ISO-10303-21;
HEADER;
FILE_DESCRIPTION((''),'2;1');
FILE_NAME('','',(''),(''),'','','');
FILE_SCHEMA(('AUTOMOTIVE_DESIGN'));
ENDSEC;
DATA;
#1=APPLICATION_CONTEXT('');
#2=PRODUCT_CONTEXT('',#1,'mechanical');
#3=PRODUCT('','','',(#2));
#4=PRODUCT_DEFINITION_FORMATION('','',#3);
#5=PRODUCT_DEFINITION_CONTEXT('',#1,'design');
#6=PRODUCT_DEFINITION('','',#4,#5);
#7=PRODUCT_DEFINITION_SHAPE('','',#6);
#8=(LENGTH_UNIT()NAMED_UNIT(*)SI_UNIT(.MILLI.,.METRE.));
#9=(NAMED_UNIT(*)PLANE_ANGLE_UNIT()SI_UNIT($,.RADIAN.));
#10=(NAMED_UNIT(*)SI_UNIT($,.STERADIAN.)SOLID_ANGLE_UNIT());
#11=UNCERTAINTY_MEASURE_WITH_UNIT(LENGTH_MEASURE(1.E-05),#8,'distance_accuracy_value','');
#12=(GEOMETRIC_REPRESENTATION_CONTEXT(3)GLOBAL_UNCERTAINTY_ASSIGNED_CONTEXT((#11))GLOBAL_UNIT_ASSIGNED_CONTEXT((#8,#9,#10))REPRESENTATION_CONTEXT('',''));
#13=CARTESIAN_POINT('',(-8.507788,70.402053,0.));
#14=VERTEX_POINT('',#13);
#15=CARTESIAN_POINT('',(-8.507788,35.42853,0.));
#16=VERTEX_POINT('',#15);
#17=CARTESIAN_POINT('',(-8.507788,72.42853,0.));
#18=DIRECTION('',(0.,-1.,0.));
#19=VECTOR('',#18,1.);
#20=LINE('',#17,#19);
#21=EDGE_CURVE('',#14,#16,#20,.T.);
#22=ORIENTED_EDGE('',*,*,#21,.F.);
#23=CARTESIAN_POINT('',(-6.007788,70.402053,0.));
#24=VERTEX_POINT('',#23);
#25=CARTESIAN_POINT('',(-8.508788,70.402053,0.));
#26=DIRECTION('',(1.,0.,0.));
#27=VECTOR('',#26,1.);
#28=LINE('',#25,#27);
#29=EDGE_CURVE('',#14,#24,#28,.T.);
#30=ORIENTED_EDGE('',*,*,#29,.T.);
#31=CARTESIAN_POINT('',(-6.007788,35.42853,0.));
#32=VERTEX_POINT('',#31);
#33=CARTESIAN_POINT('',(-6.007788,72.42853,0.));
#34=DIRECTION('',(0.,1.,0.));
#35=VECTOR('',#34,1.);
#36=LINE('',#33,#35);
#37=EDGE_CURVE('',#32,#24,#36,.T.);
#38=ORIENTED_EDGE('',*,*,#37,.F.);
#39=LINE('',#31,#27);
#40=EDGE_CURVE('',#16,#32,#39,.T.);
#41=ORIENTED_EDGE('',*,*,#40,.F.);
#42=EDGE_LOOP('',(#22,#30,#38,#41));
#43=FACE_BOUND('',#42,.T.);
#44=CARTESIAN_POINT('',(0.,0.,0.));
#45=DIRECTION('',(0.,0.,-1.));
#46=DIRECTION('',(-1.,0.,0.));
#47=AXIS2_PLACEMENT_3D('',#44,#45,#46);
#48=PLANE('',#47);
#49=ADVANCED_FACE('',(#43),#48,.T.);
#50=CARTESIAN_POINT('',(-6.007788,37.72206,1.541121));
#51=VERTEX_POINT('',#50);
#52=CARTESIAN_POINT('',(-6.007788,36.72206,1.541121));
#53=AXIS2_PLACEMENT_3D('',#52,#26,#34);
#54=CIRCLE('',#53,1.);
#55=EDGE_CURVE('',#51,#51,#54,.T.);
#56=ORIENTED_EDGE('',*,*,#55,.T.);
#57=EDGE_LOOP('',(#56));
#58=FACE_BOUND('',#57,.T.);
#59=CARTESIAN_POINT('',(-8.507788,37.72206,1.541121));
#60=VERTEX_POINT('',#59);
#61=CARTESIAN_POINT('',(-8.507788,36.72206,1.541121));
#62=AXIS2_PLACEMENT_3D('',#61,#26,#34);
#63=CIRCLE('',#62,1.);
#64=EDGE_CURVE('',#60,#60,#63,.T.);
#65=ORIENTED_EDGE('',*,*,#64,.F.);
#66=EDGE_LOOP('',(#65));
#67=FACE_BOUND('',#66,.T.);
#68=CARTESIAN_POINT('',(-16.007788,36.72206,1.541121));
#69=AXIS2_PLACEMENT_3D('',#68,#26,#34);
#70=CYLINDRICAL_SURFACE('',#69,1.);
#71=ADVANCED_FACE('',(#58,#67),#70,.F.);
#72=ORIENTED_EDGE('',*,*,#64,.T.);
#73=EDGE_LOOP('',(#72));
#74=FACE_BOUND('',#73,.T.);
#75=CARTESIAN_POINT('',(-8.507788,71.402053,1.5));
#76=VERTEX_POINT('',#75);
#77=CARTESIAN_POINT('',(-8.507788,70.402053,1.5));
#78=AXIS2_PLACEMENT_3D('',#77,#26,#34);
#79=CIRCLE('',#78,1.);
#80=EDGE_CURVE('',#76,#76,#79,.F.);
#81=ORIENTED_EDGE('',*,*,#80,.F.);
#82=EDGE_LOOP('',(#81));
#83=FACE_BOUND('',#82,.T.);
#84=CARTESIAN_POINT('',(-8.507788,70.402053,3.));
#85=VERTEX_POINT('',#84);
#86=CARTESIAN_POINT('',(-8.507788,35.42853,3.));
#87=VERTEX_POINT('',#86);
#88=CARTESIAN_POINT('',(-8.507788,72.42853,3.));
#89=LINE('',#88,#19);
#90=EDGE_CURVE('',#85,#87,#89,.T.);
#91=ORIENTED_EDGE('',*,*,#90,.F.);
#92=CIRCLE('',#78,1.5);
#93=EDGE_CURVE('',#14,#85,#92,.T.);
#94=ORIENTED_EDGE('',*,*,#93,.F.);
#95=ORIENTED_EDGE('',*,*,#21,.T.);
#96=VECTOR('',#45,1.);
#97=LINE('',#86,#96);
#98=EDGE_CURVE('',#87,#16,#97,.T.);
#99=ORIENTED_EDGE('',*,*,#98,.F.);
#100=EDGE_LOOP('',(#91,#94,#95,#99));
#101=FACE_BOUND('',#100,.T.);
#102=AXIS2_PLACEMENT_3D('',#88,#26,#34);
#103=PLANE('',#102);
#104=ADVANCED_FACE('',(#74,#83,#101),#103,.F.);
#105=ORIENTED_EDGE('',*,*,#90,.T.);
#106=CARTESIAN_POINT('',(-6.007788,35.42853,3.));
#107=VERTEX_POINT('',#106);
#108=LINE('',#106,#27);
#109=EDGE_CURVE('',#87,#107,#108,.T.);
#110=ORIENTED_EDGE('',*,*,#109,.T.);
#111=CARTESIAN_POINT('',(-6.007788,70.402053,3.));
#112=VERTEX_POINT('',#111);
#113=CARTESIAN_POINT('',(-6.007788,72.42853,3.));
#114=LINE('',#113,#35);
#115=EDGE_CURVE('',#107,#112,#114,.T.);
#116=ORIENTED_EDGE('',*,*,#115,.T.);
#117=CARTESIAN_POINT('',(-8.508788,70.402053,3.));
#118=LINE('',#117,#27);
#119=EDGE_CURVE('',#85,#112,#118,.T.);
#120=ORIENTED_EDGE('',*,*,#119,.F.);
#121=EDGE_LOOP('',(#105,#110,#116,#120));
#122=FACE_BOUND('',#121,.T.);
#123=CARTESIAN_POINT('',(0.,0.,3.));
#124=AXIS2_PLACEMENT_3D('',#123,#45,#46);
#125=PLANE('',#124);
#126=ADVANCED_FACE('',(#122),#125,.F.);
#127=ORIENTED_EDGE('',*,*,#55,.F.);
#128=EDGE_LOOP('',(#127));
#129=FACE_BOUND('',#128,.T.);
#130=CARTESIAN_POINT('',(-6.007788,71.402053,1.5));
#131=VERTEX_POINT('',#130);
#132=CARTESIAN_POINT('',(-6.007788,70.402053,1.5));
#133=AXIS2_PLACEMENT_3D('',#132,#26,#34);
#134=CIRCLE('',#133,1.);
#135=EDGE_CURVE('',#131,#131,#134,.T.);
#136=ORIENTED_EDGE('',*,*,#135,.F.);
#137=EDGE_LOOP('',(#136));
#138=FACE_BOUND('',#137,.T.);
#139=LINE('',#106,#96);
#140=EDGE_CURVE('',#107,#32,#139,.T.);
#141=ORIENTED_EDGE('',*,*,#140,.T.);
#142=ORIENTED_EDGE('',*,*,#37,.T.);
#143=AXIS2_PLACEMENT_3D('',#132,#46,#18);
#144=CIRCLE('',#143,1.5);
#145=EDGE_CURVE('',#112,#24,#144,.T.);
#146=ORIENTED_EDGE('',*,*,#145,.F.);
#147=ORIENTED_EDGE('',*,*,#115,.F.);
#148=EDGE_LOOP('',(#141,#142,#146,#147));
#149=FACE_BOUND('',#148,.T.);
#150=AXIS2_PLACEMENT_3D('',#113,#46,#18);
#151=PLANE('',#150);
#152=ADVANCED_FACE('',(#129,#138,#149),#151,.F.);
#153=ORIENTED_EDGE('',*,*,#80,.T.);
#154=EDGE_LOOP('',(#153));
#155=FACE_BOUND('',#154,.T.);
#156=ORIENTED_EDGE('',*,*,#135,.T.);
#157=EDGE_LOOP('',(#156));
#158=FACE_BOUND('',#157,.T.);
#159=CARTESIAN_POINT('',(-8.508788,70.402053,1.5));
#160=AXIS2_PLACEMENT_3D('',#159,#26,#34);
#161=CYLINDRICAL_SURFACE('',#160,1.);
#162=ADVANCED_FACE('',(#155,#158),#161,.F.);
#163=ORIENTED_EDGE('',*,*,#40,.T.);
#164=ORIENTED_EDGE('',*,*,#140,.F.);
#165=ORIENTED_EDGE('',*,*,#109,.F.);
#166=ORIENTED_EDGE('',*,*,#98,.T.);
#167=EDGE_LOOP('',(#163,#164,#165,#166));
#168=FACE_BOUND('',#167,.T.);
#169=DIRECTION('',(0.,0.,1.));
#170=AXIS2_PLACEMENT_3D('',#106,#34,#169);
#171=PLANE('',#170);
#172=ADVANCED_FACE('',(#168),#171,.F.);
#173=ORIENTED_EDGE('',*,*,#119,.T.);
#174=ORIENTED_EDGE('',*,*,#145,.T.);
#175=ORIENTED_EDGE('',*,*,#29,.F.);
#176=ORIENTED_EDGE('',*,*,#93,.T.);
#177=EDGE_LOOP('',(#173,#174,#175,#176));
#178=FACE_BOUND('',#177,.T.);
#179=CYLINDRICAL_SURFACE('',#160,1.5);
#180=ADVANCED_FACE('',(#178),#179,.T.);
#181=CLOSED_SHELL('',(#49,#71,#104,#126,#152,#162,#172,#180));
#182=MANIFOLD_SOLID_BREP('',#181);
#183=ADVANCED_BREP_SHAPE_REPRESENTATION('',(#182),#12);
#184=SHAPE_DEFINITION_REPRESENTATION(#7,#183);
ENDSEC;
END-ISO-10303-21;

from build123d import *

# Parameters (mm, degrees)
CROQUIS1_W              = 2.5
CROQUIS1_H              = 37
SALIENTE_EXTRUIR1_DEPTH = 3
CORTAR_EXTRUIR7_REACH   = 74.534
CROQUIS10_R             = 1
CROQUIS12_R             = 1
CORTAR_EXTRUIR9_DEPTH   = 10


with BuildPart() as part:
    # Croquis1 → Saliente-Extruir1 (new body)
    with BuildSketch(Plane.XY):
        with Locations((-7.257787801, 53.928529755)):
            Rectangle(CROQUIS1_W, CROQUIS1_H)
    extrude(amount=SALIENTE_EXTRUIR1_DEPTH)

    # Croquis10 → Cortar-Extruir7 (cut, up to next)
    with BuildSketch(Plane(origin=(-6.007787801, 0, 0), x_dir=(0, 0, -1), z_dir=(1, 0, 0)), mode=Mode.PRIVATE) as cortar_extruir7_sk1:
        with Locations(Location((-1.5, 70.40205312, 0), (0, 0, 90))):
            Circle(CROQUIS10_R)
    cortar_extruir7_tool1 = extrude(cortar_extruir7_sk1.sketch, amount=-CORTAR_EXTRUIR7_REACH, mode=Mode.PRIVATE) & part.part
    # Croquis10 → Cortar-Extruir7 (cut, up to next)
    with BuildSketch(Plane(origin=(-6.007787801, 0, 0), x_dir=(0, 0, -1), z_dir=(1, 0, 0)), mode=Mode.PRIVATE) as cortar_extruir7_sk2:
        with BuildLine():
            Line((-3, 70.40205312), (-3, 72.428529755))
            Line((-3, 72.428529755), (0, 72.428529755))
            Line((0, 72.428529755), (0, 70.40205312))
            ThreePointArc((0, 70.40205312), (-1.5, 71.90205312), (-3, 70.40205312))
        make_face()
    cortar_extruir7_tool2 = extrude(cortar_extruir7_sk2.sketch, amount=-CORTAR_EXTRUIR7_REACH, mode=Mode.PRIVATE) & part.part
    add(cortar_extruir7_tool1.solids().sort_by_distance((-6.007788, 70.402053, 1.5))[0], mode=Mode.SUBTRACT)
    add(cortar_extruir7_tool2.solids().sort_by_distance((-6.007788, 71.938281, 1.5))[0], mode=Mode.SUBTRACT)

    # Croquis12 → Cortar-Extruir9 (cut)
    with BuildSketch(Plane(origin=(-6.007787801, 0, 0), x_dir=(0, 0, -1), z_dir=(1, 0, 0))):
        with Locations(Location((-1.541120901, 36.722060173, 0), (0, 0, 90))):
            Circle(CROQUIS12_R)
    extrude(amount=-CORTAR_EXTRUIR9_DEPTH, mode=Mode.SUBTRACT)


solid = part.part
